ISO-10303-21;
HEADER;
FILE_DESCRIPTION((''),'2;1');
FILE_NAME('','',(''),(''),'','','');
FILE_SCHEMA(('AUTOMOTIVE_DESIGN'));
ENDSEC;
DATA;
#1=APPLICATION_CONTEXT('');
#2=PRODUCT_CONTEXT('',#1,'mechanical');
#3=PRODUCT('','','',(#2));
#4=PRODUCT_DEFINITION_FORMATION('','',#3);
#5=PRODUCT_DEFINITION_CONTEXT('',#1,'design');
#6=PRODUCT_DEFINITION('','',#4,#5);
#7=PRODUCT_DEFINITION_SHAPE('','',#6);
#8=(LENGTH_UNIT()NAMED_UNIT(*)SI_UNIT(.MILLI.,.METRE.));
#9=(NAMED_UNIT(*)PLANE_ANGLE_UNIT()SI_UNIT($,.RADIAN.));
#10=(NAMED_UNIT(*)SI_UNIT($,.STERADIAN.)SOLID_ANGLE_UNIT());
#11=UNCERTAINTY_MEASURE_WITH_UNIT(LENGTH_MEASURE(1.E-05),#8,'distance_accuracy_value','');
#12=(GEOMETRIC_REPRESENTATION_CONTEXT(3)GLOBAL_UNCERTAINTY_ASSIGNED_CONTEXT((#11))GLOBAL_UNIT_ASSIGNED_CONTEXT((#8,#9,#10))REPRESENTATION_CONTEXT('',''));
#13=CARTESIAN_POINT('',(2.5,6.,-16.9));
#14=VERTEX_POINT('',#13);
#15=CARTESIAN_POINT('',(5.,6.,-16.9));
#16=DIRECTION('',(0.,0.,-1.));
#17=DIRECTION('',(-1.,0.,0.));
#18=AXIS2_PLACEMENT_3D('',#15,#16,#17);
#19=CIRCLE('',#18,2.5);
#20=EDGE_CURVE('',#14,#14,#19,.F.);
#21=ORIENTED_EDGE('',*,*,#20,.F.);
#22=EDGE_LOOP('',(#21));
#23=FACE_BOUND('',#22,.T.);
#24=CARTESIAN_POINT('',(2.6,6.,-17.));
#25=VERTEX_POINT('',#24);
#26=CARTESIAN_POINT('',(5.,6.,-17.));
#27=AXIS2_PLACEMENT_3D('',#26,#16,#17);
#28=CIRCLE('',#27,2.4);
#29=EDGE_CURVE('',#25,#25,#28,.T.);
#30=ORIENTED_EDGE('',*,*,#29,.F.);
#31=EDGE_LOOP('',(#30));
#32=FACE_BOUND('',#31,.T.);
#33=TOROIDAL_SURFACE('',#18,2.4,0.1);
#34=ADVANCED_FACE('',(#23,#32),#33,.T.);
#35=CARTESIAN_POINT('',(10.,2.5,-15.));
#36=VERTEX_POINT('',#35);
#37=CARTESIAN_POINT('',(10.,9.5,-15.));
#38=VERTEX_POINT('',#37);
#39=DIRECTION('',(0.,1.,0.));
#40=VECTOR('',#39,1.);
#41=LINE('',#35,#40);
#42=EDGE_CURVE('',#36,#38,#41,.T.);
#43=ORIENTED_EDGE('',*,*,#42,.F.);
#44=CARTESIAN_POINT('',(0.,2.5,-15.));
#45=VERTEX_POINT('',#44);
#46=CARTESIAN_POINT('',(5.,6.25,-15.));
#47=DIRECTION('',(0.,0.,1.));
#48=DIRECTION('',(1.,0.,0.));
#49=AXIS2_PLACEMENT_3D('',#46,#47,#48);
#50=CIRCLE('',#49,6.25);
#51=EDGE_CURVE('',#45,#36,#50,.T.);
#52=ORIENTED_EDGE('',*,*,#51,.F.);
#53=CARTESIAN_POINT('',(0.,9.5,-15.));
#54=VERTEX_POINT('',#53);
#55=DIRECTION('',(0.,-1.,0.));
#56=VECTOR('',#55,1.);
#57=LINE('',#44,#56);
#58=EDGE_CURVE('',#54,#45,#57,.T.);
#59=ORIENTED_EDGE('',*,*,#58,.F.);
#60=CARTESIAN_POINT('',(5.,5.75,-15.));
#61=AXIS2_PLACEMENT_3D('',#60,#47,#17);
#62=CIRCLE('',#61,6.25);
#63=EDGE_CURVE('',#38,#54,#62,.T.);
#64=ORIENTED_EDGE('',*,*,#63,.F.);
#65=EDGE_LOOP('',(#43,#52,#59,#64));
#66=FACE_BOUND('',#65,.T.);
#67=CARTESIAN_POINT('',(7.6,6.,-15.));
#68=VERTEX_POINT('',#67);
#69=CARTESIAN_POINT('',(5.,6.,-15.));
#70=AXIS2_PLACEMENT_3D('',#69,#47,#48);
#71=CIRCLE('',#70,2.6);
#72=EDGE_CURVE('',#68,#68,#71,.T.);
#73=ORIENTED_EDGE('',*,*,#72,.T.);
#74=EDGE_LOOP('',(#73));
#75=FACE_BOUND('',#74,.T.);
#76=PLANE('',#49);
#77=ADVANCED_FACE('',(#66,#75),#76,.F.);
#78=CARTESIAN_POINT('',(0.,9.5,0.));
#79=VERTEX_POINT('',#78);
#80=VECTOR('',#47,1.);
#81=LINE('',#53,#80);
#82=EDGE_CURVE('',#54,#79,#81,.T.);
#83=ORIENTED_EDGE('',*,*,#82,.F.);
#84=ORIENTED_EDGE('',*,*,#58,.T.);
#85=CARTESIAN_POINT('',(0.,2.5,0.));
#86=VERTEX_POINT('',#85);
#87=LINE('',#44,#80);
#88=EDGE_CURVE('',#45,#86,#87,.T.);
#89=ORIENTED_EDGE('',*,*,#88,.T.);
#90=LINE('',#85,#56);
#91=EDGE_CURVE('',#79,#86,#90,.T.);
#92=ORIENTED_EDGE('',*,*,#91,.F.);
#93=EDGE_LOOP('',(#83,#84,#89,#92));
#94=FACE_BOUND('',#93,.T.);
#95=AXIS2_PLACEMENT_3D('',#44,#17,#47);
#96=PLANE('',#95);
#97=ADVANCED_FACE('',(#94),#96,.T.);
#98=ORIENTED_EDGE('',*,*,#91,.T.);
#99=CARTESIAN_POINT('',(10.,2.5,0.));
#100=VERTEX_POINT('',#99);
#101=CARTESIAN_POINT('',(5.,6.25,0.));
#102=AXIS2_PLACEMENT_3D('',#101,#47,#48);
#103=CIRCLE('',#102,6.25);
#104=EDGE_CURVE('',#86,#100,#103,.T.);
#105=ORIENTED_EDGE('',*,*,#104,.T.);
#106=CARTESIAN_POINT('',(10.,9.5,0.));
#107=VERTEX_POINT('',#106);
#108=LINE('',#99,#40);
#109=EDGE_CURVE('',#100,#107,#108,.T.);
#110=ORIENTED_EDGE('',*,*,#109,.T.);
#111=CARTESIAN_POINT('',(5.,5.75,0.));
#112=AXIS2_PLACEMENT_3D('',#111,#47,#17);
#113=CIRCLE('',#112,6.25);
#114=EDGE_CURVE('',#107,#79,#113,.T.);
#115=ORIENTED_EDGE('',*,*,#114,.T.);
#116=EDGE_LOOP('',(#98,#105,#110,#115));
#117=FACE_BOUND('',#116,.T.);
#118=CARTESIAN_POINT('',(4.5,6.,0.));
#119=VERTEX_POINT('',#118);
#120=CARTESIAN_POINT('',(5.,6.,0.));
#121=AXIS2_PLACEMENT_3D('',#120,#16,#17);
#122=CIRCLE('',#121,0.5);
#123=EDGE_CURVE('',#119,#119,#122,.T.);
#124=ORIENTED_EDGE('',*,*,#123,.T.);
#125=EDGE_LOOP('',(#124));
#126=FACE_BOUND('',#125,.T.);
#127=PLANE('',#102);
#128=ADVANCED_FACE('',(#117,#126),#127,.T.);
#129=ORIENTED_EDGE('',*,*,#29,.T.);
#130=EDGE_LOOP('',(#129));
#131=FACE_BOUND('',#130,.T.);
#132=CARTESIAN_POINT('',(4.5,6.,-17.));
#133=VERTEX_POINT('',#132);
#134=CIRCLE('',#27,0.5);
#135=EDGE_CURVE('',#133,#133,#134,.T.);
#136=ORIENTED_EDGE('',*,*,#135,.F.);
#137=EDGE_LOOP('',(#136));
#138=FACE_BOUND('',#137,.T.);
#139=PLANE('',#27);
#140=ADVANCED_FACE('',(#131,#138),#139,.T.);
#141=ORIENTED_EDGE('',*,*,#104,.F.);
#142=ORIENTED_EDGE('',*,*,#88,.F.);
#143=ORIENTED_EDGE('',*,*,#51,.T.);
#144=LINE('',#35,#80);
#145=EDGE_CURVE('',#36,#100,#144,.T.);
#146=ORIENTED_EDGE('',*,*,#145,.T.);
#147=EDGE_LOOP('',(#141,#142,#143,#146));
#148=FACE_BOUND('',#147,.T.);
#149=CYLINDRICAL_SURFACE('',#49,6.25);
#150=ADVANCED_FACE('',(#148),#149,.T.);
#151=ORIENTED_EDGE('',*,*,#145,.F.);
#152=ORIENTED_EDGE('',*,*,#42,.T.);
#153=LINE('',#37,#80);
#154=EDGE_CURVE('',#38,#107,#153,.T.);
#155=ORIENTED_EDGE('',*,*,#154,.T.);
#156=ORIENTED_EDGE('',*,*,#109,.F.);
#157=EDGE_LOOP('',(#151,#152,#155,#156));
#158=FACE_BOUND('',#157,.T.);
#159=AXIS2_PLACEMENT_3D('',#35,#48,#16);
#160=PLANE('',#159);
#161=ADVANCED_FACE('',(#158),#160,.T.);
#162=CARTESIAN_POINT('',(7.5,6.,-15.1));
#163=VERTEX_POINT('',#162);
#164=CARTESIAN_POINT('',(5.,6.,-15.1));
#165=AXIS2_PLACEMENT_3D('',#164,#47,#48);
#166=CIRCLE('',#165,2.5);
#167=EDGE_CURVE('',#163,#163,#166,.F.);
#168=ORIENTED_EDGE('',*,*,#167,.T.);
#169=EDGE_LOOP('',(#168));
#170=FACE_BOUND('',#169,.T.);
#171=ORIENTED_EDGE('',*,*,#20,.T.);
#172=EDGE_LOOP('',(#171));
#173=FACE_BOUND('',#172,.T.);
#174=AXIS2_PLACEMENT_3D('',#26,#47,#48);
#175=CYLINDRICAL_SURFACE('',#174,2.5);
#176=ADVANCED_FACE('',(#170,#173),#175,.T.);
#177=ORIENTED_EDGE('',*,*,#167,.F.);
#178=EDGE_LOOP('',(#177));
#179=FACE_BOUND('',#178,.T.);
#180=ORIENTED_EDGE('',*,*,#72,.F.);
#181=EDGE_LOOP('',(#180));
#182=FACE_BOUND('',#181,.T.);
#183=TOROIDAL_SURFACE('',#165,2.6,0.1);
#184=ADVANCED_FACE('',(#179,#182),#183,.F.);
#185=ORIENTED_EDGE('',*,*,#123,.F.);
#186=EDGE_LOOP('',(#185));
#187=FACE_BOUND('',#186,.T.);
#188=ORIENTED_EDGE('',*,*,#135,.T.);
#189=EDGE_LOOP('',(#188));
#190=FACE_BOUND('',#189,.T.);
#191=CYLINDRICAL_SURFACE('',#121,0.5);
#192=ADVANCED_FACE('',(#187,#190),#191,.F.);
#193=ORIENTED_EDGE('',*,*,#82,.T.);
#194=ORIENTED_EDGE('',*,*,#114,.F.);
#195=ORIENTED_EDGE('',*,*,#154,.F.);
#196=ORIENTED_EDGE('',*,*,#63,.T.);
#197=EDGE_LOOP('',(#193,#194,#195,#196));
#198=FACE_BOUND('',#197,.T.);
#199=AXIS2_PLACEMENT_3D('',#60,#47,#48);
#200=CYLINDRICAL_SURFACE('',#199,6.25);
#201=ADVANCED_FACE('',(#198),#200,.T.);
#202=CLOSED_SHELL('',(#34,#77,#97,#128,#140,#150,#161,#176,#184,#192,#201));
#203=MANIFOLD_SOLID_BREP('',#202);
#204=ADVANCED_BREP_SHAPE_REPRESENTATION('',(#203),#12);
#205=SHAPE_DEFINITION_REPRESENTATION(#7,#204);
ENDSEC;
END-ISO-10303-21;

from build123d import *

# Parameters (mm, degrees)
BOSS_EXTRUDE1_DEPTH = 15
SKETCH3_R           = 2.5
BOSS_EXTRUDE2_DEPTH = 2
SKETCH5_R           = 0.5
CUT_EXTRUDE1_DEPTH  = 24.086792761
FILLET1_R           = 0.1


with BuildPart() as part:
    # Sketch1 → Boss-Extrude1 (new body)
    with BuildSketch(Plane.XY):
        with BuildLine():
            Line((0, 2.5), (0, 9.5))
            ThreePointArc((0, 9.5), (5, 12), (10, 9.5))
            Line((10, 9.5), (10, 2.5))
            ThreePointArc((10, 2.5), (5, 0), (0, 2.5))
        make_face()
    extrude(amount=-BOSS_EXTRUDE1_DEPTH)

    # Sketch3 → Boss-Extrude2 (add)
    with BuildSketch(Plane(origin=(0, 0, -15), x_dir=(-1, 0, 0), z_dir=(0, 0, -1))):
        with Locations(Location((-5, 6, 0), (0, 0, 180))):
            Circle(SKETCH3_R)
    extrude(amount=BOSS_EXTRUDE2_DEPTH)

    # Sketch5 → Cut-Extrude1 (cut, through all)
    with BuildSketch(Plane(origin=(0, 0, -17), x_dir=(-1, 0, 0), z_dir=(0, 0, -1))):
        with Locations((-5, 6)):
            Circle(SKETCH5_R)
    extrude(amount=-CUT_EXTRUDE1_DEPTH, mode=Mode.SUBTRACT)

    # Fillet1
    fillet1_edges = [part.edges().sort_by_distance(p)[0] for p in [
        (2.5, 6, -15),
        (2.5, 6, -17),
    ]]
    fillet(fillet1_edges, radius=FILLET1_R)


solid = part.part
